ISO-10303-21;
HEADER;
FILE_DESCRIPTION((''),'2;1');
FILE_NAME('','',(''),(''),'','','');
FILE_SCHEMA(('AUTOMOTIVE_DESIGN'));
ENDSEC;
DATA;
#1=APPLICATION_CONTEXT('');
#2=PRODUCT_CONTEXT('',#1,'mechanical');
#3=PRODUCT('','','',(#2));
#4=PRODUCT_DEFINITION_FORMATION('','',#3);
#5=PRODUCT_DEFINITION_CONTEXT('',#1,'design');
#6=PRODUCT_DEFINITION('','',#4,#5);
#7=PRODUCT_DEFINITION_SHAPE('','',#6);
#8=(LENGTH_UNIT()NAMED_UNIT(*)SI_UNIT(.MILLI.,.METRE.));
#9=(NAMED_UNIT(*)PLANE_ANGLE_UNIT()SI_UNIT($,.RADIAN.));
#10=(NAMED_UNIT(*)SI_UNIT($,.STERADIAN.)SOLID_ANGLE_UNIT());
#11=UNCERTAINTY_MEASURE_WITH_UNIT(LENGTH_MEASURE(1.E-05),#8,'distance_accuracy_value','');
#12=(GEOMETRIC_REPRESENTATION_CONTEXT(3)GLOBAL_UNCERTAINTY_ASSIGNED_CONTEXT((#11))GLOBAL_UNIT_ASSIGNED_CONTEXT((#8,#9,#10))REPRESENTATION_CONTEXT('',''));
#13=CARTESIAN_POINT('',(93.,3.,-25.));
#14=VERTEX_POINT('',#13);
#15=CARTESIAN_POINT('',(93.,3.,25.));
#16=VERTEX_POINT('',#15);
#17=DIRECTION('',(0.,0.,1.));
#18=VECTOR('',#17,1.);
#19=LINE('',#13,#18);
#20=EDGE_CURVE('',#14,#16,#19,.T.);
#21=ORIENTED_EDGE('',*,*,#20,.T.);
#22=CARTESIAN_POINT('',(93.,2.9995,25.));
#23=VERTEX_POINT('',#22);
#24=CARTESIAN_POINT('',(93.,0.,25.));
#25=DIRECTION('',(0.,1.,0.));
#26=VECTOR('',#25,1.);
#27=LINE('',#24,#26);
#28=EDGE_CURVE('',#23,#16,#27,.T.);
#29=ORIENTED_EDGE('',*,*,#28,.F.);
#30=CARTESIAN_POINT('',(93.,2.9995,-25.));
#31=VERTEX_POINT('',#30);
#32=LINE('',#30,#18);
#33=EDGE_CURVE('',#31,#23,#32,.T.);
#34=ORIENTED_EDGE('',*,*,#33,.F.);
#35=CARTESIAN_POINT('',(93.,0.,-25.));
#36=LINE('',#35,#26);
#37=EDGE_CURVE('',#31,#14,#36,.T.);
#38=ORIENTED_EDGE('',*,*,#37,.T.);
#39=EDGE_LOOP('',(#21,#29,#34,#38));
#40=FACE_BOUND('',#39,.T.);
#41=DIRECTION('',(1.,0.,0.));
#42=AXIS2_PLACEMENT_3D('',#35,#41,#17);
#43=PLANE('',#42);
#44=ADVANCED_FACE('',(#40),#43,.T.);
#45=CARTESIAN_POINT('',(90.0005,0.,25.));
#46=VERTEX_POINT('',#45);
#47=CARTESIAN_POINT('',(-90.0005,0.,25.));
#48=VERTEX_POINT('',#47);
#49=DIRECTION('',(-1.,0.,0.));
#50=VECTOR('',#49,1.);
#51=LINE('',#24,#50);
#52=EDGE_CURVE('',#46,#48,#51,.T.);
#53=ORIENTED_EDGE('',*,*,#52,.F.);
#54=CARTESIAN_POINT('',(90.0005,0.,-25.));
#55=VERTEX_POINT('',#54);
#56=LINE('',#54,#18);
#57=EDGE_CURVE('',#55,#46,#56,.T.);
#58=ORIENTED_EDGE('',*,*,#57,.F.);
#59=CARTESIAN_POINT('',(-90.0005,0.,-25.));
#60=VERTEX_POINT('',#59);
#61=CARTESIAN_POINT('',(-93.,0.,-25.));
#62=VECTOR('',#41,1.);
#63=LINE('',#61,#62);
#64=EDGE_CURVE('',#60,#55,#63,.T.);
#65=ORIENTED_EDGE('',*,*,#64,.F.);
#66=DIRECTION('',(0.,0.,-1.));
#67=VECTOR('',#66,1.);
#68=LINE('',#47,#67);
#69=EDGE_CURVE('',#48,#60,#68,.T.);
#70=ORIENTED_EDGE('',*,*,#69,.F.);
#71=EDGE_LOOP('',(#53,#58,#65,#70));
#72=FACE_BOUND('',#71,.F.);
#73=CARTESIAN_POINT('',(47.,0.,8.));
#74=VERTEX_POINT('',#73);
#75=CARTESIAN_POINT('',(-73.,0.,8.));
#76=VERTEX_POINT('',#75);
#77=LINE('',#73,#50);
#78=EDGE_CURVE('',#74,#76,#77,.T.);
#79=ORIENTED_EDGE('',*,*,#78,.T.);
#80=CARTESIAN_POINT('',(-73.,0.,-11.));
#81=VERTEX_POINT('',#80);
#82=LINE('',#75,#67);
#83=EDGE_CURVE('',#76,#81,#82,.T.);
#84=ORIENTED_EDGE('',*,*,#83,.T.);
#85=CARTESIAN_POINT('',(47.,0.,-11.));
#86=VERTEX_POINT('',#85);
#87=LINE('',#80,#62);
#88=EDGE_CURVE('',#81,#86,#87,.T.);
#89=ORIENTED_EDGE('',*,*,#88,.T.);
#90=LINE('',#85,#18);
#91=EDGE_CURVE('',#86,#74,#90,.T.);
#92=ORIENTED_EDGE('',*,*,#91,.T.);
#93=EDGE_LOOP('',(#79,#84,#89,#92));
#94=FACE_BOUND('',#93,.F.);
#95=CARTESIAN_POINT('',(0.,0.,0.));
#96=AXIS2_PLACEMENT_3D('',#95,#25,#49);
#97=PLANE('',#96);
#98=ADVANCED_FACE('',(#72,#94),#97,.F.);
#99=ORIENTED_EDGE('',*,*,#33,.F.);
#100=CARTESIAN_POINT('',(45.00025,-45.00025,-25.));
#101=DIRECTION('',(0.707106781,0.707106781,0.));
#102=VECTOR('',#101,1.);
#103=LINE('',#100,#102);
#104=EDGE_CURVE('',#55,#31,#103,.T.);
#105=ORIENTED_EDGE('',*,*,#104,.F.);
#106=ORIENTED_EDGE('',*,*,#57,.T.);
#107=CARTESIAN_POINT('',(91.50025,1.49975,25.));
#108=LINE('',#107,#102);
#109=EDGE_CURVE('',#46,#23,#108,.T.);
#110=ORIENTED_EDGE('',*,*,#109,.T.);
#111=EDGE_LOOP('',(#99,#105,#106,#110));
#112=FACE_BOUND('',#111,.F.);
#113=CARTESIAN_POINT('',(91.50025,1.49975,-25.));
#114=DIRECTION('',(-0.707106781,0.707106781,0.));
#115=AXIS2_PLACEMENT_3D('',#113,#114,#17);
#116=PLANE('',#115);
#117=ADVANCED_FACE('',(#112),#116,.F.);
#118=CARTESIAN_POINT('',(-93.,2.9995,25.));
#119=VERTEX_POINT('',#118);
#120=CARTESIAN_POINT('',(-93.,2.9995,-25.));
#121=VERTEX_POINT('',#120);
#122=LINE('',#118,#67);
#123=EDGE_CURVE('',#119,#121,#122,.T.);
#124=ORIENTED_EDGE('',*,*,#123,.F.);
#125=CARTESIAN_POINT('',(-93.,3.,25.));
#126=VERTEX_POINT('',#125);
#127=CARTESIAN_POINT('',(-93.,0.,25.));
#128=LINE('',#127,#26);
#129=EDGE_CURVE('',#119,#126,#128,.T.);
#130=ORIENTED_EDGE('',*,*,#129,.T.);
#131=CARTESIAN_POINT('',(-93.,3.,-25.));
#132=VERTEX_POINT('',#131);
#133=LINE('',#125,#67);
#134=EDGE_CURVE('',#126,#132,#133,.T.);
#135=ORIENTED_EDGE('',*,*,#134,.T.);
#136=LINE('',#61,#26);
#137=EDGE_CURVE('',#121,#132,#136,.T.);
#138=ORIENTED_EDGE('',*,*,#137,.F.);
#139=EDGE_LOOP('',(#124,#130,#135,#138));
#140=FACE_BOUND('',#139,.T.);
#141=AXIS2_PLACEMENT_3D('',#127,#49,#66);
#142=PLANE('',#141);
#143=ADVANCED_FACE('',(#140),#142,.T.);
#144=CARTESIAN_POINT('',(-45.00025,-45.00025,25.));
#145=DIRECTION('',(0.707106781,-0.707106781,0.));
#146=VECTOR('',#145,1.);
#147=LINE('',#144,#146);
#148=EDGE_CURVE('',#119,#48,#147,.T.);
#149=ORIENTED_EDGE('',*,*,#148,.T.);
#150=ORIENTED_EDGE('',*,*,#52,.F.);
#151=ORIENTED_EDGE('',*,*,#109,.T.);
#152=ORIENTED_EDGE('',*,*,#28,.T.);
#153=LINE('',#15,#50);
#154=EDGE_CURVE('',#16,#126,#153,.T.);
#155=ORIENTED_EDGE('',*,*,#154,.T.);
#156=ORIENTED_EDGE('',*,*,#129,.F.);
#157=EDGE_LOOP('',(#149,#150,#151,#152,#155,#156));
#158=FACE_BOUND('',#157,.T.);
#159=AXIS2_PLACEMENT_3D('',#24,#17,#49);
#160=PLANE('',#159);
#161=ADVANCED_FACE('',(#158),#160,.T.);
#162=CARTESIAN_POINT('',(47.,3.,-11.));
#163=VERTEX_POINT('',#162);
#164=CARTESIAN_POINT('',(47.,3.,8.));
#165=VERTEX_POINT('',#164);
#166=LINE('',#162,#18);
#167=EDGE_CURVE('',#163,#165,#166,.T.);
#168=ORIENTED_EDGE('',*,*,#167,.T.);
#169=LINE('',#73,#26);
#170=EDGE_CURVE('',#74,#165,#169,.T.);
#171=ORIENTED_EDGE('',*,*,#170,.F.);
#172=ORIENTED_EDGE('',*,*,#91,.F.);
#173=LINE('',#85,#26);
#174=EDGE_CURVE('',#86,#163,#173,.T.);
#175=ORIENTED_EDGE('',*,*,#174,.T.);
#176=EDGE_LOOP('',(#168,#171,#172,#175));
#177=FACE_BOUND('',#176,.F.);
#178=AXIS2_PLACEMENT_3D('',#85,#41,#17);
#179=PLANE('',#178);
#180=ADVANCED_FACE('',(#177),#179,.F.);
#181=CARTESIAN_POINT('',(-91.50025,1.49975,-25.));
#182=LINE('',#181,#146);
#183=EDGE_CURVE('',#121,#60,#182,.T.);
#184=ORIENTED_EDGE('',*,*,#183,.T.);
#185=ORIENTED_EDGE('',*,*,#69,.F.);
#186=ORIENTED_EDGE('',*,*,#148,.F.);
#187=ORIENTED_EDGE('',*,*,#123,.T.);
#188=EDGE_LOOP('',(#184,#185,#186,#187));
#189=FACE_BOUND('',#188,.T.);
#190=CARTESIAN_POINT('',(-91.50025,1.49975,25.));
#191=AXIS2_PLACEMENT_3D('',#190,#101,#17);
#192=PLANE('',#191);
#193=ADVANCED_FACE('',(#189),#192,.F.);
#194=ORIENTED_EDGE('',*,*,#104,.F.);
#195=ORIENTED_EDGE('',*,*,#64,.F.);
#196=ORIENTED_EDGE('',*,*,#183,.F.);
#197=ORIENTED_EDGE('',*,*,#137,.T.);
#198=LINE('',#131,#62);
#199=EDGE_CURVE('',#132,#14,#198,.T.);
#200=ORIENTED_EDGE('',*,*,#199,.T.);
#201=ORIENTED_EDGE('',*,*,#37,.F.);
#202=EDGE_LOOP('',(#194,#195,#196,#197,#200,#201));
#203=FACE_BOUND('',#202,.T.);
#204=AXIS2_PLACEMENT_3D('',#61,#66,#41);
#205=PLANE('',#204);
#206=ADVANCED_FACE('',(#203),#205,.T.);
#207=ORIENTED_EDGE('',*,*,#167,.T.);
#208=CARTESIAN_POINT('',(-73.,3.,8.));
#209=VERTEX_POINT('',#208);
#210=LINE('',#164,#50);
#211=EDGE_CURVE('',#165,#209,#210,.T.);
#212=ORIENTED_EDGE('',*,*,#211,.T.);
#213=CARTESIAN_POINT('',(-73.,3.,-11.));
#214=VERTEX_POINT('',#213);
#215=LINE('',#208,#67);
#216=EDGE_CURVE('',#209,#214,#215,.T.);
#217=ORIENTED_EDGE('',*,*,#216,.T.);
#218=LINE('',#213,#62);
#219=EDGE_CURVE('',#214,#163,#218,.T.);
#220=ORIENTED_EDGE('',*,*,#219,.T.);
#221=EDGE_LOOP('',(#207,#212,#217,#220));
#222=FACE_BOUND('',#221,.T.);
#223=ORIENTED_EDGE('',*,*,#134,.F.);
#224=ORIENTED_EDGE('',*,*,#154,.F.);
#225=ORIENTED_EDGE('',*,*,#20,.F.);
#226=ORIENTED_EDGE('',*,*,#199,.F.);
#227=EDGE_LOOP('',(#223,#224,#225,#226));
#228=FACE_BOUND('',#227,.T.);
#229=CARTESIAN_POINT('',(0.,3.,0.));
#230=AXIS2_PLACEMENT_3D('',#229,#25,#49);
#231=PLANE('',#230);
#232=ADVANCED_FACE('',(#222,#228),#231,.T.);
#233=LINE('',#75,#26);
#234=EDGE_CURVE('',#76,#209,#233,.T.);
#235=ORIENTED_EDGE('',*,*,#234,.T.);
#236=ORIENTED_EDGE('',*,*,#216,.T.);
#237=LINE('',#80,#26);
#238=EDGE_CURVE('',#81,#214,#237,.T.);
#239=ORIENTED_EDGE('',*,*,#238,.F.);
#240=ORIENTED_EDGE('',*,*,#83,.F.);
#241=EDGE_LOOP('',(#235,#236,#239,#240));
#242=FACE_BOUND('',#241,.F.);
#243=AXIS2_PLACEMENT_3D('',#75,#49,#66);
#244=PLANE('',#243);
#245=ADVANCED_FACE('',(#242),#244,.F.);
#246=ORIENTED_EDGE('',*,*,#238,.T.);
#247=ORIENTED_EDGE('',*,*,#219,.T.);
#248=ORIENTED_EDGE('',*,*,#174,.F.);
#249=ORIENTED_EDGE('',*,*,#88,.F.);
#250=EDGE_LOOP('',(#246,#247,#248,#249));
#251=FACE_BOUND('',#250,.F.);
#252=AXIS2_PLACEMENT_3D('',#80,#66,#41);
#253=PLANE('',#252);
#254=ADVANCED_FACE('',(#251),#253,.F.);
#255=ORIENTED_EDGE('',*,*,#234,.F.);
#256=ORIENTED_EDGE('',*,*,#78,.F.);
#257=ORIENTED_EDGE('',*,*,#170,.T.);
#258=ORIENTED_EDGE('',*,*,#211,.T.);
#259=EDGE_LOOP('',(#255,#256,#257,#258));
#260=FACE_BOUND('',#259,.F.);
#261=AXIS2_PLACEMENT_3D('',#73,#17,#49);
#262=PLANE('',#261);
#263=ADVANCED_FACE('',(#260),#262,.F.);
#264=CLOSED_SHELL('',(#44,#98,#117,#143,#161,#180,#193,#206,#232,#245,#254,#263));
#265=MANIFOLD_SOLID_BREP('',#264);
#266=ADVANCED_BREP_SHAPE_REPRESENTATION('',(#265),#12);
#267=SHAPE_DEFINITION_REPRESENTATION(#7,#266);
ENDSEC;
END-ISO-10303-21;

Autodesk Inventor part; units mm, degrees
ref_plane "YZ Plane" through (0, 0, 0) normal (1, 0, 0) x (0, 1, 0)
ref_plane "XZ Plane" through (0, 0, 0) normal (0, 1, 0) x (-1, 0, 0)
ref_plane "XY Plane" through (0, 0, 0) normal (0, 0, 1) x (1, 0, 0)
sketch "Sketch1" plane through (0, 0, 0) normal (0, 1, 0) x (-1, 0, 0)
  line L0 (93, -25) -> (-93, -25)
  line L1 (-93, -25) -> (-93, 25)
  line L2 (-93, 25) -> (93, 25)
  line L3 (93, 25) -> (93, -25)
  line L4 (93, -25) -> (-93, 25) construction
  line L5 (-93, -25) -> (93, 25) construction
  line L6 (73, -11) -> (-47, -11)
  line L7 (-47, -11) -> (-47, 8)
  line L8 (-47, 8) -> (73, 8)
  line L9 (73, 8) -> (73, -11)
  point P0 (0, 0)
  dimension "d0" = 186
  dimension "d1" = 50
  dimension "d2" = 17
  dimension "d3" = 36
  dimension "d4" = 120
  dimension "d5" = 20
extrude "Extrusion1" add sketch "Sketch1" along normal blind 3
chamfer "Chamfer3" distance 3 angle 45 1 edges at (-93, 0, 0) measured on face at (-93, 1, -8.3333)
chamfer "Chamfer4" distance 3 angle 45 1 edges at (93, 0, 0) measured on face at (93, 1, 8.3333)
properties part number "Front Wall"
